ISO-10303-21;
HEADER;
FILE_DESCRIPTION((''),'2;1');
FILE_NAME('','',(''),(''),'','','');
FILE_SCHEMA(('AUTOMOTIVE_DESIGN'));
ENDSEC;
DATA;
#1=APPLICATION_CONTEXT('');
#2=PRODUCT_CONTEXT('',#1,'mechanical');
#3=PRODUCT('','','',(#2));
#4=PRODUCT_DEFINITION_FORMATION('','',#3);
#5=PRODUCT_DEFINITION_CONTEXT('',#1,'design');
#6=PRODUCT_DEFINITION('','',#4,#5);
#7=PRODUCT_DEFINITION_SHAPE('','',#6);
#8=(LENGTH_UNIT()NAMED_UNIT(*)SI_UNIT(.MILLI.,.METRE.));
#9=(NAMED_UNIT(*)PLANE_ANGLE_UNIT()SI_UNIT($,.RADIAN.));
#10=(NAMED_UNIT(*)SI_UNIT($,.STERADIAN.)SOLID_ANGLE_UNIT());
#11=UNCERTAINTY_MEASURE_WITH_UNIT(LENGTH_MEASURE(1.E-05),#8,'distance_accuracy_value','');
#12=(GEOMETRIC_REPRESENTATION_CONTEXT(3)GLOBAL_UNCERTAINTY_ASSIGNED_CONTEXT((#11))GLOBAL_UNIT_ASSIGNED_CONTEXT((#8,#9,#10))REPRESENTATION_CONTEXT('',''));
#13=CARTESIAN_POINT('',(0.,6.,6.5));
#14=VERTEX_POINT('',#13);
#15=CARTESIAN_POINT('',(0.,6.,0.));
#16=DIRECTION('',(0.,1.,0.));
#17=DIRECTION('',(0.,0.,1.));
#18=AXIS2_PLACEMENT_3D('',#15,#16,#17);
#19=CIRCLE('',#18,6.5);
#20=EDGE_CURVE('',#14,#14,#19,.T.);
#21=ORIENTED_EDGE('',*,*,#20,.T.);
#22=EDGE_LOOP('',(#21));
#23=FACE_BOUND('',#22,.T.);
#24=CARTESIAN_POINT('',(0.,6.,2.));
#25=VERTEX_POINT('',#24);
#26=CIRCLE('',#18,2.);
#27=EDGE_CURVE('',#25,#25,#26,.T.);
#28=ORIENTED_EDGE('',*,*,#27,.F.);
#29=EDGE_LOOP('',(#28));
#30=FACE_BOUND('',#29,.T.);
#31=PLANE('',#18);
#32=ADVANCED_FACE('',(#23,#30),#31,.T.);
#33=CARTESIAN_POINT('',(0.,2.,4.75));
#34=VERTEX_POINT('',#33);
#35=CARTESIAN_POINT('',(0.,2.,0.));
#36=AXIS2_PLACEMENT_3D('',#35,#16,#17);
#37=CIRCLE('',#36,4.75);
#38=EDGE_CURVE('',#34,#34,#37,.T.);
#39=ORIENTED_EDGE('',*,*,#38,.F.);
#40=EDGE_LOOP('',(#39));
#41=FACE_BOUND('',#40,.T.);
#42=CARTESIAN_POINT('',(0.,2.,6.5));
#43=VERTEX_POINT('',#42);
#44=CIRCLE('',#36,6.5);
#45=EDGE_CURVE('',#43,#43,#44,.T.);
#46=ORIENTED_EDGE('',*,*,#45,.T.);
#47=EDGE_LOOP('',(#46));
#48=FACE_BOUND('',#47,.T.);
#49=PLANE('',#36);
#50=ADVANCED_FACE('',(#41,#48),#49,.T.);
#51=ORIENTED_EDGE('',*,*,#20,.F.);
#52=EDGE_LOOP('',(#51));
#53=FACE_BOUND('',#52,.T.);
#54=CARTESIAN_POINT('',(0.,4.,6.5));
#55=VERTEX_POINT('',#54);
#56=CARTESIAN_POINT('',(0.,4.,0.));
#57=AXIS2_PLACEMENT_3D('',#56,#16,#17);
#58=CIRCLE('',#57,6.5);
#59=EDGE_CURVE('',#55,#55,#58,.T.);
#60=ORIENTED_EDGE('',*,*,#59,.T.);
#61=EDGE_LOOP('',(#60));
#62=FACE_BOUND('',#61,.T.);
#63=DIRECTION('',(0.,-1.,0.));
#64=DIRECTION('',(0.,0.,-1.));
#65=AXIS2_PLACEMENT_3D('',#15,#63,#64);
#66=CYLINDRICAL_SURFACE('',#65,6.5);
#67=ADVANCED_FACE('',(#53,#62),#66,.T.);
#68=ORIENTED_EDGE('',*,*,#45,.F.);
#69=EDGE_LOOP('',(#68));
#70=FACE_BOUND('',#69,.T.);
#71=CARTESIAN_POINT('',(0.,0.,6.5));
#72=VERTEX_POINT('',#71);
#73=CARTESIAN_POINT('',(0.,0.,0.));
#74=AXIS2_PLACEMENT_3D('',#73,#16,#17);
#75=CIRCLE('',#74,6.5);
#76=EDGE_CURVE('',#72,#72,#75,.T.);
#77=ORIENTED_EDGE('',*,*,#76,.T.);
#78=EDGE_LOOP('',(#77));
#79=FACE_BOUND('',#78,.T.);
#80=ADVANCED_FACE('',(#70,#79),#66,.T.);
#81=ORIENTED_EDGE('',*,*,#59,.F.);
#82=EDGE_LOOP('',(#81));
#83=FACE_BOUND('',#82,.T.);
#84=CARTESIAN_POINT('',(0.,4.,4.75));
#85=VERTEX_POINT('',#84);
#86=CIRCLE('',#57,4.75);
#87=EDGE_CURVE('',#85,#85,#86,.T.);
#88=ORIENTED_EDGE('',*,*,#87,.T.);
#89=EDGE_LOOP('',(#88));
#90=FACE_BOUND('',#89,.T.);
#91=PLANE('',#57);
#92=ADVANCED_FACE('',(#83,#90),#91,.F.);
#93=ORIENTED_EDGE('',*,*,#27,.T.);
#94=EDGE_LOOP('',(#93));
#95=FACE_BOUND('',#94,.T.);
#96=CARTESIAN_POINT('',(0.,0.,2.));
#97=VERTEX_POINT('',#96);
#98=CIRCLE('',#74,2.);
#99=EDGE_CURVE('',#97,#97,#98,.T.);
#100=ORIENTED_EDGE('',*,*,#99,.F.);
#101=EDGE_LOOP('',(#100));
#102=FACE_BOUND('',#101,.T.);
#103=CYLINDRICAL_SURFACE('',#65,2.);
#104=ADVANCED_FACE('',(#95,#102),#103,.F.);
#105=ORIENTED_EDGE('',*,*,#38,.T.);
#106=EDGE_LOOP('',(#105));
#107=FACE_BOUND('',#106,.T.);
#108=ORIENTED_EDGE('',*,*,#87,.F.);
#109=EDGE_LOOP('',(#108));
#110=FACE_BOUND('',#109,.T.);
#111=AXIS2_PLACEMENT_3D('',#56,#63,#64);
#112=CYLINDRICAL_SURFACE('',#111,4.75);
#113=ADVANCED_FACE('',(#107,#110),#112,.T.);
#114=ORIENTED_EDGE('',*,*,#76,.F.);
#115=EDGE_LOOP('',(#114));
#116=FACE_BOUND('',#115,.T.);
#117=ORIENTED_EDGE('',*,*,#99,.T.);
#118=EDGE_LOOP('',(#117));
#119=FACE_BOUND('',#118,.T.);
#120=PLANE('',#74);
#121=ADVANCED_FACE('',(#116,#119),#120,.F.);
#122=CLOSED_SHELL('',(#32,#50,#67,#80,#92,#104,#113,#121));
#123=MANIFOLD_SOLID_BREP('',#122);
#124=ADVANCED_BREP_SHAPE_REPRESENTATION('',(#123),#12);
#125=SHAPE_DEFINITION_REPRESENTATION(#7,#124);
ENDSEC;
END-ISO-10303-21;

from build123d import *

# Parameters (mm, degrees)
SKETCH_1_R               = 6.5
SKETCH_1_R_2             = 2
EXTRUDE_1_DEPTH          = 6
CUT_EXTRUDE_1_DEPTH      = 1
CUT_EXTRUDE_1_DEPTH_BACK = 1
SKETCH_4_R               = 7
SKETCH_4_R_2             = 4.75


with BuildPart() as part:
    # 草图1 → 凸台-拉伸1 (new body)
    with BuildSketch(Plane(origin=(0, 0, 0), x_dir=(1, 0, 0), z_dir=(0, 1, 0))):
        with Locations(Location((0, 0, 0), (0, 0, 270))):
            Circle(SKETCH_1_R)
        with Locations(Location((0, 0, 0), (0, 0, 270))):
            Circle(SKETCH_1_R_2, mode=Mode.SUBTRACT)
    extrude(amount=EXTRUDE_1_DEPTH)

    # 草图4 → 切除-拉伸1 (cut, two sides: drawn at the far end of the back side and taken through both)
    with BuildSketch(Plane(origin=(0, 3, 0), x_dir=(1, 0, 0), z_dir=(0, 1, 0)).offset(-CUT_EXTRUDE_1_DEPTH_BACK)):
        Circle(SKETCH_4_R)
        with Locations(Location((0, 0, 0), (0, 0, 270))):
            Circle(SKETCH_4_R_2, mode=Mode.SUBTRACT)
    extrude(amount=CUT_EXTRUDE_1_DEPTH + CUT_EXTRUDE_1_DEPTH_BACK, mode=Mode.SUBTRACT)


solid = part.part
